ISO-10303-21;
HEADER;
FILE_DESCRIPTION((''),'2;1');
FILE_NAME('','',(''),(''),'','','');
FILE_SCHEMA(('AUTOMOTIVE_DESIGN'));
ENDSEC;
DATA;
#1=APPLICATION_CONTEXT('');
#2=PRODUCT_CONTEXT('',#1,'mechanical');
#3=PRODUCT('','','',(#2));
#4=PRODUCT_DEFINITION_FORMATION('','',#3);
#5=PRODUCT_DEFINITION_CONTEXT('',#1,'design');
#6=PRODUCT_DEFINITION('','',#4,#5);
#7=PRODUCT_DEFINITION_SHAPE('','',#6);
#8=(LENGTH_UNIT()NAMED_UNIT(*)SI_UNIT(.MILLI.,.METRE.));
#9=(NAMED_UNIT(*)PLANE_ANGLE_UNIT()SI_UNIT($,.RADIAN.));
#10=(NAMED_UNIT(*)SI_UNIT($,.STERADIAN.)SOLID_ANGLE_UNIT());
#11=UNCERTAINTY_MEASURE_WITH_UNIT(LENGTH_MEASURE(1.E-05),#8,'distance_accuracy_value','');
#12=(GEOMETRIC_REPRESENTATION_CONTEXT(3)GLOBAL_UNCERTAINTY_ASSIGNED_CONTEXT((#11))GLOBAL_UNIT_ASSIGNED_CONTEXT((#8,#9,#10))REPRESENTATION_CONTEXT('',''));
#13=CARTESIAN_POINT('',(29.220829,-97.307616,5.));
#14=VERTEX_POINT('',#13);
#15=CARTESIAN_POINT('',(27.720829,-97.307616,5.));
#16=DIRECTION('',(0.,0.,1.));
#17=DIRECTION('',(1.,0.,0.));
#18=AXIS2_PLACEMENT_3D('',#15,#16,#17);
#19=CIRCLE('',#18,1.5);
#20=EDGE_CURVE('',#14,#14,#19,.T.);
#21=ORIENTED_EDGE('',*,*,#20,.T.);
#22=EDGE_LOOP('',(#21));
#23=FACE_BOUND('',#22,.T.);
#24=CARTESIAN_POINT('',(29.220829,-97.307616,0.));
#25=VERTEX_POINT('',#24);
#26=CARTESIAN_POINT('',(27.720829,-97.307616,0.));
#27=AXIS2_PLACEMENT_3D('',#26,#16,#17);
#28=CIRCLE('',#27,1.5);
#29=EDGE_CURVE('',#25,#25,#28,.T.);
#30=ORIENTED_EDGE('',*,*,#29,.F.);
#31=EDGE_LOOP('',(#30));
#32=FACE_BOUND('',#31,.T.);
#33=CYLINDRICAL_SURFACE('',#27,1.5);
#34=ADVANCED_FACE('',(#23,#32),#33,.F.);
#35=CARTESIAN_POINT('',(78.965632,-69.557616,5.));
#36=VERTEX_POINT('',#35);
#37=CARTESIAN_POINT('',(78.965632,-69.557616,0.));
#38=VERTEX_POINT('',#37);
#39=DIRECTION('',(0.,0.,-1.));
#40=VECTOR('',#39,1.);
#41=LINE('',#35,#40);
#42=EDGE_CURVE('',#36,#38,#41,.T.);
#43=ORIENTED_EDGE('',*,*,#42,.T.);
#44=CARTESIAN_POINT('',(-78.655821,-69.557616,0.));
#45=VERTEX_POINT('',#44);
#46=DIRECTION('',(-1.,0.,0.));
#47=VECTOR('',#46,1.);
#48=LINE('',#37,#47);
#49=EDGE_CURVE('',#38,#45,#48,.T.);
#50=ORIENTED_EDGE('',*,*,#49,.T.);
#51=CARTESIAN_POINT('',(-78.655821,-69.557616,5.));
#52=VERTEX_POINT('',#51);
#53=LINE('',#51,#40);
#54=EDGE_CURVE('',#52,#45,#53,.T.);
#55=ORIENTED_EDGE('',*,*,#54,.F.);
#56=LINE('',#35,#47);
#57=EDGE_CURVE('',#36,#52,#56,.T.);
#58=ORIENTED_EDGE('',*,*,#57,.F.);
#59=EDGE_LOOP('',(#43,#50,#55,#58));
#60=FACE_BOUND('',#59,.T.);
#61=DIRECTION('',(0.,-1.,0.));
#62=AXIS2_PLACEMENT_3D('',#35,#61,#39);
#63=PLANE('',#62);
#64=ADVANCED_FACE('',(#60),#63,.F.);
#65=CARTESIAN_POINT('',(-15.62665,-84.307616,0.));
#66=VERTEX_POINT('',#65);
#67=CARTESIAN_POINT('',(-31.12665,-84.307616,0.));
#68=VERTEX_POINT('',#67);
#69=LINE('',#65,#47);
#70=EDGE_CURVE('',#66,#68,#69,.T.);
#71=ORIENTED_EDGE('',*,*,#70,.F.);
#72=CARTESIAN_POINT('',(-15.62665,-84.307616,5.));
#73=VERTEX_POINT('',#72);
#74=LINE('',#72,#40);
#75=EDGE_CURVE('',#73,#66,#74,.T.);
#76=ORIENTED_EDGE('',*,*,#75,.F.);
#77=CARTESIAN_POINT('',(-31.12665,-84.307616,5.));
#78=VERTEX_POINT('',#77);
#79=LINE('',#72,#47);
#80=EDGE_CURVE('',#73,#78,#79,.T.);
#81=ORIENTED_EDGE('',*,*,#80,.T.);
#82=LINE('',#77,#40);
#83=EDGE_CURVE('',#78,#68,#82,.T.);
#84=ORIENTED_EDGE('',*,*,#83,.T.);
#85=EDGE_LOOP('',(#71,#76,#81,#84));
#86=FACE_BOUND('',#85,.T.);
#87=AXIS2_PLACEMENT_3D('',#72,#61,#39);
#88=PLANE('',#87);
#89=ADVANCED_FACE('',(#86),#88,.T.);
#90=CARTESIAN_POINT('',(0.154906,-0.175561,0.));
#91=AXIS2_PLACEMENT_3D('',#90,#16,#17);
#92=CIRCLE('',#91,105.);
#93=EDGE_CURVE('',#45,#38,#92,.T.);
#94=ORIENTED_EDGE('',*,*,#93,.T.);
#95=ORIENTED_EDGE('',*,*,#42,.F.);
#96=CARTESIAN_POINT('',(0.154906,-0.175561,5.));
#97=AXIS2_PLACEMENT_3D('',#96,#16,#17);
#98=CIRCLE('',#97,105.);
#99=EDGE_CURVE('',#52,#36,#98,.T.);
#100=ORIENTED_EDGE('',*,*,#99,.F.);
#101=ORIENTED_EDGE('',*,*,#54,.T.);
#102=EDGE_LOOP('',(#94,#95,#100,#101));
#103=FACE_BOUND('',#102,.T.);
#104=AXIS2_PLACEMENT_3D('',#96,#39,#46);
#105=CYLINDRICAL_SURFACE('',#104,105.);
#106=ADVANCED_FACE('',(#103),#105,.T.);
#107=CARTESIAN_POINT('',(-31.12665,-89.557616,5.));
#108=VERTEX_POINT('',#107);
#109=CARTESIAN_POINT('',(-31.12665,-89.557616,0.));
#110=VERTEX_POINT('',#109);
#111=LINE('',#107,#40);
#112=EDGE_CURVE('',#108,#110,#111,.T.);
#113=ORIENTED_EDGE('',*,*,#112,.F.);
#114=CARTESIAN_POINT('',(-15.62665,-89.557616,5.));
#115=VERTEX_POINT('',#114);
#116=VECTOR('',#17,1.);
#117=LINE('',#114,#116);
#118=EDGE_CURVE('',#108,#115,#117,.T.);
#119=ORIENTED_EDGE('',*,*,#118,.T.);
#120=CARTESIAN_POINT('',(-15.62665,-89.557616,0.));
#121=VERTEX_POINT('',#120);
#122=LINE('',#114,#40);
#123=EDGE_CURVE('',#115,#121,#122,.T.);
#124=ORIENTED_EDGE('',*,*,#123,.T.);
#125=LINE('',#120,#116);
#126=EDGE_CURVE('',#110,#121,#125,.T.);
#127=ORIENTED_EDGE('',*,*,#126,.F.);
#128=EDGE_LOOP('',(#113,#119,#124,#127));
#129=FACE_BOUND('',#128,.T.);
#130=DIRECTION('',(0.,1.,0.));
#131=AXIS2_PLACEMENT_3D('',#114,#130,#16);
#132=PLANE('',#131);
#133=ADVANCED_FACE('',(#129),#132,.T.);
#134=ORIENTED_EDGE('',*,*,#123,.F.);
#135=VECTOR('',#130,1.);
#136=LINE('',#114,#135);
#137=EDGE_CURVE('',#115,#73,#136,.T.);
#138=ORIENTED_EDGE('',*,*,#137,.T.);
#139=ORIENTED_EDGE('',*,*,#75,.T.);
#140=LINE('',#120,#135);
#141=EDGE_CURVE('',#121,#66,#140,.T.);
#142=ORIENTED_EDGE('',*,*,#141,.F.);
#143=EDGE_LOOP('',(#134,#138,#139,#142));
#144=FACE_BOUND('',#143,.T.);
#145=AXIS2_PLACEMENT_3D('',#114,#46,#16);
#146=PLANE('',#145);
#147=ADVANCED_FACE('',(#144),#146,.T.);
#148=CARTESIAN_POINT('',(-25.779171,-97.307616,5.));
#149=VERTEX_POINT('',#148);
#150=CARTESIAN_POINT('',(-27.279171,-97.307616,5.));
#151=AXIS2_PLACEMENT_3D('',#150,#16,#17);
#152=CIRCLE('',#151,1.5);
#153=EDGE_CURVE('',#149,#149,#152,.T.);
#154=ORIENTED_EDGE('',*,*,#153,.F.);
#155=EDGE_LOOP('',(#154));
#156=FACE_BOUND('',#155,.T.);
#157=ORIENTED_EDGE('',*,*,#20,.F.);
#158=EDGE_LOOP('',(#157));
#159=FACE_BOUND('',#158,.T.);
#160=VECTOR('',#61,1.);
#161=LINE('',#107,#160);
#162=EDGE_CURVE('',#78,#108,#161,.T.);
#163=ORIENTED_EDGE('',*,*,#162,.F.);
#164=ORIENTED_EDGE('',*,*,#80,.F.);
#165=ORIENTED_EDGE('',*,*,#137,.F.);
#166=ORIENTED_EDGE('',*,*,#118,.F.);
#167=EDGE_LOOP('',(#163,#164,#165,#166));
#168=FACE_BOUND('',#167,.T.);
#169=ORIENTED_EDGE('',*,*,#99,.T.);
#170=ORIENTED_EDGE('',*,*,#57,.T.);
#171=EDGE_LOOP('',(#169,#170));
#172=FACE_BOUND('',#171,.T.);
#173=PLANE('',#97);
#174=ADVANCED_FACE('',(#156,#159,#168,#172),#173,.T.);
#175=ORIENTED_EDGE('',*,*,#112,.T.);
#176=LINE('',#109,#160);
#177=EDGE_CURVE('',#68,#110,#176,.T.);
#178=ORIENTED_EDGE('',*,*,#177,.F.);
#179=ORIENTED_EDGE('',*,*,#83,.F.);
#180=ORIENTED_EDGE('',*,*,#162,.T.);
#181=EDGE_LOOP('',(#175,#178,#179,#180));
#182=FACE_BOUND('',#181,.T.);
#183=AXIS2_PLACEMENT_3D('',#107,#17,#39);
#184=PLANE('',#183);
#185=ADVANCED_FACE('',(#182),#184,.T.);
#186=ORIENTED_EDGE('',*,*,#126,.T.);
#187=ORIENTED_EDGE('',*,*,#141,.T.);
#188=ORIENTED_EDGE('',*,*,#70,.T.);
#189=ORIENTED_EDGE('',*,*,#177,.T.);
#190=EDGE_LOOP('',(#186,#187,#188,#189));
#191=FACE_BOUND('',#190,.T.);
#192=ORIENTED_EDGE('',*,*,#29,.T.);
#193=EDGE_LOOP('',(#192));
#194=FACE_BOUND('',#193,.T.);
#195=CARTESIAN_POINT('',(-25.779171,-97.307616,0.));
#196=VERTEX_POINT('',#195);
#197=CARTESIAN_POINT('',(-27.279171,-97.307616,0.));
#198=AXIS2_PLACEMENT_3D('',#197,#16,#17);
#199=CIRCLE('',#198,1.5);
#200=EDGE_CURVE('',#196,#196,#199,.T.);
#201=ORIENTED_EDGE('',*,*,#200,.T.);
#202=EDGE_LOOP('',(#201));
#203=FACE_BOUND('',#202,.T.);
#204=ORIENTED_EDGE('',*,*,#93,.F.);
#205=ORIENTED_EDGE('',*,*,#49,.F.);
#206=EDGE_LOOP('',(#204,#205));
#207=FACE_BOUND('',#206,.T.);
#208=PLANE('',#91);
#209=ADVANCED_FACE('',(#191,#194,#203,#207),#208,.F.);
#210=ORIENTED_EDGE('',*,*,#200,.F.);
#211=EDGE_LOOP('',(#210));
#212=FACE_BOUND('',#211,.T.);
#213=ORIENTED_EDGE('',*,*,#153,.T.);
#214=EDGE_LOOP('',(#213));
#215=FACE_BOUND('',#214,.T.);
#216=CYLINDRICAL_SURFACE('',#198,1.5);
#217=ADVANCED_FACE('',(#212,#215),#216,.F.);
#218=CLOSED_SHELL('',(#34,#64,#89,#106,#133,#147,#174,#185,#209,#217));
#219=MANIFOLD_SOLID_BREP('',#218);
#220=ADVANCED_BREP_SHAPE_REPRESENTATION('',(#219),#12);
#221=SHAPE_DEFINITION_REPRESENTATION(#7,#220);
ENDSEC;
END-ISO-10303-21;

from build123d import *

# Parameters (mm, degrees)
ESQUISSE1_W             = 15.5
ESQUISSE1_H             = 5.25
BOSS_EXTRU_1_DEPTH      = 5
ESQUISSE2_R             = 1.5
ENL_V_MAT_EXTRU_1_DEPTH = 5


with BuildPart() as part:
    # Esquisse1 → Boss.-Extru.1 (new body)
    with BuildSketch(Plane.XY):
        with BuildLine():
            Line((78.965631611, -69.557615642), (-78.655820549, -69.557615642))
            ThreePointArc((-78.655820549, -69.557615642), (0.154905531, -105.175561372), (78.965631611, -69.557615642))
        make_face()
        with Locations((-23.37664966, -86.932615642)):
            Rectangle(ESQUISSE1_W, ESQUISSE1_H, mode=Mode.SUBTRACT)
    extrude(amount=BOSS_EXTRU_1_DEPTH)

    # Esquisse2 → Enlèv. mat.-Extru.1 (cut)
    with BuildSketch(Plane.XY.offset(5)):
        with Locations((-27.279170889, -97.307615642)):
            Circle(ESQUISSE2_R)
        with Locations((27.720829111, -97.307615642)):
            Circle(ESQUISSE2_R)
    extrude(amount=-ENL_V_MAT_EXTRU_1_DEPTH, mode=Mode.SUBTRACT)


solid = part.part
